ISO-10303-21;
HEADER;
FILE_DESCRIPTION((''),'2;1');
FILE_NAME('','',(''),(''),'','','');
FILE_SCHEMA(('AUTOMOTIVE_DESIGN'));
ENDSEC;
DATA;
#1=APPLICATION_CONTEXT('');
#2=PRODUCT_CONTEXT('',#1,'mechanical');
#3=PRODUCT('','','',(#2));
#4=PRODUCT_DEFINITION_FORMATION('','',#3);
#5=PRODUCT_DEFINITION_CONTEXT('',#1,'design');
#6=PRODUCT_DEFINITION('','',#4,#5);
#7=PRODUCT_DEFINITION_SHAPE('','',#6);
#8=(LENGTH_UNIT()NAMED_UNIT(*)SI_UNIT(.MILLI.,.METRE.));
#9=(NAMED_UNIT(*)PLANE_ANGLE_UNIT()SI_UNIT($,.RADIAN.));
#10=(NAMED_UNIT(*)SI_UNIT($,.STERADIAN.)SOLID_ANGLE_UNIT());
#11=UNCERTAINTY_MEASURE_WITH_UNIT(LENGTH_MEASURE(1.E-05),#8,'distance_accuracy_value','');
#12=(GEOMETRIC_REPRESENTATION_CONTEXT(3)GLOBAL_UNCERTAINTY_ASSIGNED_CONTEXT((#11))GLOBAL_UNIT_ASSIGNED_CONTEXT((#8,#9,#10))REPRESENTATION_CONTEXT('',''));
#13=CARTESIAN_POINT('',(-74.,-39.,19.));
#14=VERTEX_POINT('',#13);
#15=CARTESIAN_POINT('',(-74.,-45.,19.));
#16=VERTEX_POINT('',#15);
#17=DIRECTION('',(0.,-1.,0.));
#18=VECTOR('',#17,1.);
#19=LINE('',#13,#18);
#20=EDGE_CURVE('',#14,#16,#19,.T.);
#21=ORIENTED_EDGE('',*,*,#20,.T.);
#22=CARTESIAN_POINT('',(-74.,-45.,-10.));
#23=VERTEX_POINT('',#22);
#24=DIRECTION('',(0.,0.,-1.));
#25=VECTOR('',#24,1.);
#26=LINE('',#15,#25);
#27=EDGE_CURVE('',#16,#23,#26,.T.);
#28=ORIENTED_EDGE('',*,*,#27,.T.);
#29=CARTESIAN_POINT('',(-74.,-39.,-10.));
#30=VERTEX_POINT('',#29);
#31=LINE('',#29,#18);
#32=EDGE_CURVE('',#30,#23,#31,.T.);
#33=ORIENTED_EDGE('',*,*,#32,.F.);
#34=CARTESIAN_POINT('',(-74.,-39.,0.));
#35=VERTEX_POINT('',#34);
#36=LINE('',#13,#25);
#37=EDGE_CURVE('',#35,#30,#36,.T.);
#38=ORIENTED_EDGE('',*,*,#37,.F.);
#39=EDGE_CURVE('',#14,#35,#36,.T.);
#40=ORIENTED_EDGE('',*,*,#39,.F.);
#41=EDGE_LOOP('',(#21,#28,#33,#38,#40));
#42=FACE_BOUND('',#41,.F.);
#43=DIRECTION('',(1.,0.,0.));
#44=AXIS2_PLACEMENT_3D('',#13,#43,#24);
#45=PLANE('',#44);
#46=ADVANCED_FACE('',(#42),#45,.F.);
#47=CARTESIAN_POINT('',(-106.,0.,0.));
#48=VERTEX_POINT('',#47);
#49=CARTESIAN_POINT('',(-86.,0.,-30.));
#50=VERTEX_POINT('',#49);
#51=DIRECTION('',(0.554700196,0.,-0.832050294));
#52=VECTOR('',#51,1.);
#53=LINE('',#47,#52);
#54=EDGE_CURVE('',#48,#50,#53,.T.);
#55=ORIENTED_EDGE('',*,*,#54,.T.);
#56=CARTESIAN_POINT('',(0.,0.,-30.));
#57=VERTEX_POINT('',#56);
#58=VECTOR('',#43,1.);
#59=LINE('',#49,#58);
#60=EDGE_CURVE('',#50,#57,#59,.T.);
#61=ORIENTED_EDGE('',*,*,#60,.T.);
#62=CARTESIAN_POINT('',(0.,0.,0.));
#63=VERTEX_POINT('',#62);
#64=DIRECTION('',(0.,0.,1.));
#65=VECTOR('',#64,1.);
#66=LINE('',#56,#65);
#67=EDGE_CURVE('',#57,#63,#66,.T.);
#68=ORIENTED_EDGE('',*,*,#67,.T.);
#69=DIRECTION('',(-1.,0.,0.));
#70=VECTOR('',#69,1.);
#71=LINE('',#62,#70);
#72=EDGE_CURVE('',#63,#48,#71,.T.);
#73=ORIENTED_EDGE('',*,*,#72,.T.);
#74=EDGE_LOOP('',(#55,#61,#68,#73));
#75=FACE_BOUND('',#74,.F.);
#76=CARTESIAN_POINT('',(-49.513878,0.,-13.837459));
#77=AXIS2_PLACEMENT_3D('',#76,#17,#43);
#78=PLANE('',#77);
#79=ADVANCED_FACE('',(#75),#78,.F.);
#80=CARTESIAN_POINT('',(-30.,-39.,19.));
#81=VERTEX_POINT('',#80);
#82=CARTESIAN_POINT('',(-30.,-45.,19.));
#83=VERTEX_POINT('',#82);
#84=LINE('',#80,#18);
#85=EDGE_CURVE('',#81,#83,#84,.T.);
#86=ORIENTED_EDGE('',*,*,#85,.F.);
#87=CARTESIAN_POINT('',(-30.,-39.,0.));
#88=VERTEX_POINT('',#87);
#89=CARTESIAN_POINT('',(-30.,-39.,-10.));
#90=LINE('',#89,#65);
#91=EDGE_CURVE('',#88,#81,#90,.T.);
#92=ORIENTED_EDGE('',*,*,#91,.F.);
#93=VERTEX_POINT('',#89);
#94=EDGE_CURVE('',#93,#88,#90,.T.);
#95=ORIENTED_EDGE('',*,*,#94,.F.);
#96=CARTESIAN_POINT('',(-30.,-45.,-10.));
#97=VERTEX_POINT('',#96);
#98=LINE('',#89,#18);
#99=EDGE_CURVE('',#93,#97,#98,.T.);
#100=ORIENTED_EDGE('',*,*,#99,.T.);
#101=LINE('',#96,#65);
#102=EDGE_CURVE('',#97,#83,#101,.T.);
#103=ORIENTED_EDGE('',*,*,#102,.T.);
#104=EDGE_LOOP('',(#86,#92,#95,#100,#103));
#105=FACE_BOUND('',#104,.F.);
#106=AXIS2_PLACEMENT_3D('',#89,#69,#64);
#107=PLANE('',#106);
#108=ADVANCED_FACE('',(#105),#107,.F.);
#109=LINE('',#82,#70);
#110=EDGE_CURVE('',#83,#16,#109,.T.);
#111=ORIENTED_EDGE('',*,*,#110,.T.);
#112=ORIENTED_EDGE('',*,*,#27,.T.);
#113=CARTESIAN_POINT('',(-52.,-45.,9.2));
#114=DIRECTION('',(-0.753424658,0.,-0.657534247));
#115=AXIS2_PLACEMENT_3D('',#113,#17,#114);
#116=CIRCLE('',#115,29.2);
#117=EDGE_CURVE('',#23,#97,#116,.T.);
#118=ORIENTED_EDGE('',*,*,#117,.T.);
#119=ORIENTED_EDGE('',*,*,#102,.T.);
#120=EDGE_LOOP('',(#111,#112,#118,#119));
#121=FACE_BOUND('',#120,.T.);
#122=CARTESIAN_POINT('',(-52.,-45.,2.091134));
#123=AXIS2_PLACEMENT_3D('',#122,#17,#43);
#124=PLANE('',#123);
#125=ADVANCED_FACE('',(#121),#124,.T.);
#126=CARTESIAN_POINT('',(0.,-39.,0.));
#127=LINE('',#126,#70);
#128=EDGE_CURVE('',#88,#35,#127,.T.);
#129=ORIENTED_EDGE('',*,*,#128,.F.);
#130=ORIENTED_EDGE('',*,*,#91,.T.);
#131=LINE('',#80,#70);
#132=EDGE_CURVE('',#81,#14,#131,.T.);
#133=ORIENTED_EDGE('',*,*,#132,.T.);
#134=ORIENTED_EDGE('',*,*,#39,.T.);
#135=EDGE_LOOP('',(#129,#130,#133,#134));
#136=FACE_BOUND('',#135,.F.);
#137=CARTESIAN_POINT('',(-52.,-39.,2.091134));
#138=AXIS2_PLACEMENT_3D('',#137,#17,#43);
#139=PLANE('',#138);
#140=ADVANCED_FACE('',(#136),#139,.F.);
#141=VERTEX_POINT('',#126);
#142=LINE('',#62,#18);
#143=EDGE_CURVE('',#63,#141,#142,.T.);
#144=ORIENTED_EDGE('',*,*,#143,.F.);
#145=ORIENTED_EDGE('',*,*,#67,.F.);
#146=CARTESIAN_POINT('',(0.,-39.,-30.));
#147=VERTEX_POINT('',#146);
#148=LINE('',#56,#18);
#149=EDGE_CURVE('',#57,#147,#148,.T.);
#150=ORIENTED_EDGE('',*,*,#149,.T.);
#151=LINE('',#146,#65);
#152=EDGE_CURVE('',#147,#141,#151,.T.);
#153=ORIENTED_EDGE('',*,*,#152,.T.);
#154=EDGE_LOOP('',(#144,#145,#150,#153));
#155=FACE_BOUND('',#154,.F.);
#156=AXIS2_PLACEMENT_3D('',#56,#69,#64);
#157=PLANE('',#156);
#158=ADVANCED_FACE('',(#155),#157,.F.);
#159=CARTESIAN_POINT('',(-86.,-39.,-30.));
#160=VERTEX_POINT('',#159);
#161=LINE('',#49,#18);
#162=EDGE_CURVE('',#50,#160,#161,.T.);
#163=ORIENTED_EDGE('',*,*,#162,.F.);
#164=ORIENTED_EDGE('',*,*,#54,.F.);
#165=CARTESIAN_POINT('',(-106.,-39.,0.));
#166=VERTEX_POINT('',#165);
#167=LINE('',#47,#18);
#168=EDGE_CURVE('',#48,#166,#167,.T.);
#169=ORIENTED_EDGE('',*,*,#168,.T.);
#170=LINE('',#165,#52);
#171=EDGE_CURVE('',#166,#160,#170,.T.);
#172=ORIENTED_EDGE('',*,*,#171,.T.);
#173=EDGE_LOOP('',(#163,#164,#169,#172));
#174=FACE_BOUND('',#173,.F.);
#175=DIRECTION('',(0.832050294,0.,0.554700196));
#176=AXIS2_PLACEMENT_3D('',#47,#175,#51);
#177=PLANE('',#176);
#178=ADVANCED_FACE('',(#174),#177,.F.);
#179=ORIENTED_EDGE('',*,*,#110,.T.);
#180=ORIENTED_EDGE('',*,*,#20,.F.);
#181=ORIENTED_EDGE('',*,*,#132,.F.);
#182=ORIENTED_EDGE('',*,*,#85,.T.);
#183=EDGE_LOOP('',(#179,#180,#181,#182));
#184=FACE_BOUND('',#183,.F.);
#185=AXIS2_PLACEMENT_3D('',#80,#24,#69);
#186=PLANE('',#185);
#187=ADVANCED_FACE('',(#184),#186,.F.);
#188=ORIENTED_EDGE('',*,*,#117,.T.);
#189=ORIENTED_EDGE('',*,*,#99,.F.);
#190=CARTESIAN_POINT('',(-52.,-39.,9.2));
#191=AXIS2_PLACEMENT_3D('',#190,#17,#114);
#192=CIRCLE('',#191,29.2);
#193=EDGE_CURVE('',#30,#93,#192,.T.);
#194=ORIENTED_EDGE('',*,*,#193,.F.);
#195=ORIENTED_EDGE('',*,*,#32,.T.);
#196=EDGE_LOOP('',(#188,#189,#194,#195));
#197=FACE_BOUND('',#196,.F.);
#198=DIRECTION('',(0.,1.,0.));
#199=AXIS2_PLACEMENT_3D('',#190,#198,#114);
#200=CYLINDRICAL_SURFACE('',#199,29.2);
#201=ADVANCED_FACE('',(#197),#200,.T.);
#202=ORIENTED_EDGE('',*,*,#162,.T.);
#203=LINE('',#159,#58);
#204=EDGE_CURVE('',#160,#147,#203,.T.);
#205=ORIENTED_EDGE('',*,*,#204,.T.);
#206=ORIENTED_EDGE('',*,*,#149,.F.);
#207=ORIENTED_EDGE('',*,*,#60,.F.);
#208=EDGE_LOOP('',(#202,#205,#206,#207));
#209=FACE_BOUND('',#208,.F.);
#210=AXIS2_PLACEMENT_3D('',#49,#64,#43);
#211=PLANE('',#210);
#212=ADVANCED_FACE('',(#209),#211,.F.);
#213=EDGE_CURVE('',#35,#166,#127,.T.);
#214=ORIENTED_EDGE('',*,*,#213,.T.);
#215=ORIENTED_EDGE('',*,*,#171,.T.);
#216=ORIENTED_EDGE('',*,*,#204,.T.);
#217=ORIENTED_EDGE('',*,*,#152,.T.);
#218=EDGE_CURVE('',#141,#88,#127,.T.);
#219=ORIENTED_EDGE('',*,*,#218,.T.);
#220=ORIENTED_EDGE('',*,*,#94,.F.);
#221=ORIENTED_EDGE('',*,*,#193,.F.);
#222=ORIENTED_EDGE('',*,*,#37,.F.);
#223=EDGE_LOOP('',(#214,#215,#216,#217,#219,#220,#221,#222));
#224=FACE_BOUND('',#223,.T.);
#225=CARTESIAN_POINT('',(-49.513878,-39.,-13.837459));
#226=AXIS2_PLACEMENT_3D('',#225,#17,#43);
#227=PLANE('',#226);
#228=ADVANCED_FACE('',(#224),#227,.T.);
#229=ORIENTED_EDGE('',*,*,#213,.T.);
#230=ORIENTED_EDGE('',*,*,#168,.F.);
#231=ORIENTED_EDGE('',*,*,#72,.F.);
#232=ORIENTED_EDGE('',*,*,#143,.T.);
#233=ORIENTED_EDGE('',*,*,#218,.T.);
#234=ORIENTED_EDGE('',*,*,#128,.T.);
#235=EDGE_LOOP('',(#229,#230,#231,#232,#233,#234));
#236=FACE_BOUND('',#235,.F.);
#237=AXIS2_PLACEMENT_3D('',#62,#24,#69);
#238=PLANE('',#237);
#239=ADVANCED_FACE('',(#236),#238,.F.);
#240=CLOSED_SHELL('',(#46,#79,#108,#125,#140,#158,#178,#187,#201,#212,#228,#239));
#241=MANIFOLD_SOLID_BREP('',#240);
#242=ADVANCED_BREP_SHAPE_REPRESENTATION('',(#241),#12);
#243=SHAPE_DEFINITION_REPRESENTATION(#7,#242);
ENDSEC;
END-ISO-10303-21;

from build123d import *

# Parameters (mm, degrees)
F1_DEPTH = 39
F3_DEPTH = 6


with BuildPart() as f1:
    # F0 (on Front) → F1 (new body)
    with BuildSketch(Plane.XZ):
        Polygon((0, -30), (0, 0), (-106, 0), (-86, -30), align=None)
    extrude(amount=F1_DEPTH)

    # F2 (on face) → F3 (join)
    with BuildSketch(Plane.XZ.offset(39)):
        with BuildLine():
            Line((-74, 19), (-74, -10))
            ThreePointArc((-74, -10), (-52, -20), (-30, -10))
            Line((-30, -10), (-30, 19))
            Line((-30, 19), (-74, 19))
        make_face()
    extrude(amount=F3_DEPTH)


solid = f1.part
